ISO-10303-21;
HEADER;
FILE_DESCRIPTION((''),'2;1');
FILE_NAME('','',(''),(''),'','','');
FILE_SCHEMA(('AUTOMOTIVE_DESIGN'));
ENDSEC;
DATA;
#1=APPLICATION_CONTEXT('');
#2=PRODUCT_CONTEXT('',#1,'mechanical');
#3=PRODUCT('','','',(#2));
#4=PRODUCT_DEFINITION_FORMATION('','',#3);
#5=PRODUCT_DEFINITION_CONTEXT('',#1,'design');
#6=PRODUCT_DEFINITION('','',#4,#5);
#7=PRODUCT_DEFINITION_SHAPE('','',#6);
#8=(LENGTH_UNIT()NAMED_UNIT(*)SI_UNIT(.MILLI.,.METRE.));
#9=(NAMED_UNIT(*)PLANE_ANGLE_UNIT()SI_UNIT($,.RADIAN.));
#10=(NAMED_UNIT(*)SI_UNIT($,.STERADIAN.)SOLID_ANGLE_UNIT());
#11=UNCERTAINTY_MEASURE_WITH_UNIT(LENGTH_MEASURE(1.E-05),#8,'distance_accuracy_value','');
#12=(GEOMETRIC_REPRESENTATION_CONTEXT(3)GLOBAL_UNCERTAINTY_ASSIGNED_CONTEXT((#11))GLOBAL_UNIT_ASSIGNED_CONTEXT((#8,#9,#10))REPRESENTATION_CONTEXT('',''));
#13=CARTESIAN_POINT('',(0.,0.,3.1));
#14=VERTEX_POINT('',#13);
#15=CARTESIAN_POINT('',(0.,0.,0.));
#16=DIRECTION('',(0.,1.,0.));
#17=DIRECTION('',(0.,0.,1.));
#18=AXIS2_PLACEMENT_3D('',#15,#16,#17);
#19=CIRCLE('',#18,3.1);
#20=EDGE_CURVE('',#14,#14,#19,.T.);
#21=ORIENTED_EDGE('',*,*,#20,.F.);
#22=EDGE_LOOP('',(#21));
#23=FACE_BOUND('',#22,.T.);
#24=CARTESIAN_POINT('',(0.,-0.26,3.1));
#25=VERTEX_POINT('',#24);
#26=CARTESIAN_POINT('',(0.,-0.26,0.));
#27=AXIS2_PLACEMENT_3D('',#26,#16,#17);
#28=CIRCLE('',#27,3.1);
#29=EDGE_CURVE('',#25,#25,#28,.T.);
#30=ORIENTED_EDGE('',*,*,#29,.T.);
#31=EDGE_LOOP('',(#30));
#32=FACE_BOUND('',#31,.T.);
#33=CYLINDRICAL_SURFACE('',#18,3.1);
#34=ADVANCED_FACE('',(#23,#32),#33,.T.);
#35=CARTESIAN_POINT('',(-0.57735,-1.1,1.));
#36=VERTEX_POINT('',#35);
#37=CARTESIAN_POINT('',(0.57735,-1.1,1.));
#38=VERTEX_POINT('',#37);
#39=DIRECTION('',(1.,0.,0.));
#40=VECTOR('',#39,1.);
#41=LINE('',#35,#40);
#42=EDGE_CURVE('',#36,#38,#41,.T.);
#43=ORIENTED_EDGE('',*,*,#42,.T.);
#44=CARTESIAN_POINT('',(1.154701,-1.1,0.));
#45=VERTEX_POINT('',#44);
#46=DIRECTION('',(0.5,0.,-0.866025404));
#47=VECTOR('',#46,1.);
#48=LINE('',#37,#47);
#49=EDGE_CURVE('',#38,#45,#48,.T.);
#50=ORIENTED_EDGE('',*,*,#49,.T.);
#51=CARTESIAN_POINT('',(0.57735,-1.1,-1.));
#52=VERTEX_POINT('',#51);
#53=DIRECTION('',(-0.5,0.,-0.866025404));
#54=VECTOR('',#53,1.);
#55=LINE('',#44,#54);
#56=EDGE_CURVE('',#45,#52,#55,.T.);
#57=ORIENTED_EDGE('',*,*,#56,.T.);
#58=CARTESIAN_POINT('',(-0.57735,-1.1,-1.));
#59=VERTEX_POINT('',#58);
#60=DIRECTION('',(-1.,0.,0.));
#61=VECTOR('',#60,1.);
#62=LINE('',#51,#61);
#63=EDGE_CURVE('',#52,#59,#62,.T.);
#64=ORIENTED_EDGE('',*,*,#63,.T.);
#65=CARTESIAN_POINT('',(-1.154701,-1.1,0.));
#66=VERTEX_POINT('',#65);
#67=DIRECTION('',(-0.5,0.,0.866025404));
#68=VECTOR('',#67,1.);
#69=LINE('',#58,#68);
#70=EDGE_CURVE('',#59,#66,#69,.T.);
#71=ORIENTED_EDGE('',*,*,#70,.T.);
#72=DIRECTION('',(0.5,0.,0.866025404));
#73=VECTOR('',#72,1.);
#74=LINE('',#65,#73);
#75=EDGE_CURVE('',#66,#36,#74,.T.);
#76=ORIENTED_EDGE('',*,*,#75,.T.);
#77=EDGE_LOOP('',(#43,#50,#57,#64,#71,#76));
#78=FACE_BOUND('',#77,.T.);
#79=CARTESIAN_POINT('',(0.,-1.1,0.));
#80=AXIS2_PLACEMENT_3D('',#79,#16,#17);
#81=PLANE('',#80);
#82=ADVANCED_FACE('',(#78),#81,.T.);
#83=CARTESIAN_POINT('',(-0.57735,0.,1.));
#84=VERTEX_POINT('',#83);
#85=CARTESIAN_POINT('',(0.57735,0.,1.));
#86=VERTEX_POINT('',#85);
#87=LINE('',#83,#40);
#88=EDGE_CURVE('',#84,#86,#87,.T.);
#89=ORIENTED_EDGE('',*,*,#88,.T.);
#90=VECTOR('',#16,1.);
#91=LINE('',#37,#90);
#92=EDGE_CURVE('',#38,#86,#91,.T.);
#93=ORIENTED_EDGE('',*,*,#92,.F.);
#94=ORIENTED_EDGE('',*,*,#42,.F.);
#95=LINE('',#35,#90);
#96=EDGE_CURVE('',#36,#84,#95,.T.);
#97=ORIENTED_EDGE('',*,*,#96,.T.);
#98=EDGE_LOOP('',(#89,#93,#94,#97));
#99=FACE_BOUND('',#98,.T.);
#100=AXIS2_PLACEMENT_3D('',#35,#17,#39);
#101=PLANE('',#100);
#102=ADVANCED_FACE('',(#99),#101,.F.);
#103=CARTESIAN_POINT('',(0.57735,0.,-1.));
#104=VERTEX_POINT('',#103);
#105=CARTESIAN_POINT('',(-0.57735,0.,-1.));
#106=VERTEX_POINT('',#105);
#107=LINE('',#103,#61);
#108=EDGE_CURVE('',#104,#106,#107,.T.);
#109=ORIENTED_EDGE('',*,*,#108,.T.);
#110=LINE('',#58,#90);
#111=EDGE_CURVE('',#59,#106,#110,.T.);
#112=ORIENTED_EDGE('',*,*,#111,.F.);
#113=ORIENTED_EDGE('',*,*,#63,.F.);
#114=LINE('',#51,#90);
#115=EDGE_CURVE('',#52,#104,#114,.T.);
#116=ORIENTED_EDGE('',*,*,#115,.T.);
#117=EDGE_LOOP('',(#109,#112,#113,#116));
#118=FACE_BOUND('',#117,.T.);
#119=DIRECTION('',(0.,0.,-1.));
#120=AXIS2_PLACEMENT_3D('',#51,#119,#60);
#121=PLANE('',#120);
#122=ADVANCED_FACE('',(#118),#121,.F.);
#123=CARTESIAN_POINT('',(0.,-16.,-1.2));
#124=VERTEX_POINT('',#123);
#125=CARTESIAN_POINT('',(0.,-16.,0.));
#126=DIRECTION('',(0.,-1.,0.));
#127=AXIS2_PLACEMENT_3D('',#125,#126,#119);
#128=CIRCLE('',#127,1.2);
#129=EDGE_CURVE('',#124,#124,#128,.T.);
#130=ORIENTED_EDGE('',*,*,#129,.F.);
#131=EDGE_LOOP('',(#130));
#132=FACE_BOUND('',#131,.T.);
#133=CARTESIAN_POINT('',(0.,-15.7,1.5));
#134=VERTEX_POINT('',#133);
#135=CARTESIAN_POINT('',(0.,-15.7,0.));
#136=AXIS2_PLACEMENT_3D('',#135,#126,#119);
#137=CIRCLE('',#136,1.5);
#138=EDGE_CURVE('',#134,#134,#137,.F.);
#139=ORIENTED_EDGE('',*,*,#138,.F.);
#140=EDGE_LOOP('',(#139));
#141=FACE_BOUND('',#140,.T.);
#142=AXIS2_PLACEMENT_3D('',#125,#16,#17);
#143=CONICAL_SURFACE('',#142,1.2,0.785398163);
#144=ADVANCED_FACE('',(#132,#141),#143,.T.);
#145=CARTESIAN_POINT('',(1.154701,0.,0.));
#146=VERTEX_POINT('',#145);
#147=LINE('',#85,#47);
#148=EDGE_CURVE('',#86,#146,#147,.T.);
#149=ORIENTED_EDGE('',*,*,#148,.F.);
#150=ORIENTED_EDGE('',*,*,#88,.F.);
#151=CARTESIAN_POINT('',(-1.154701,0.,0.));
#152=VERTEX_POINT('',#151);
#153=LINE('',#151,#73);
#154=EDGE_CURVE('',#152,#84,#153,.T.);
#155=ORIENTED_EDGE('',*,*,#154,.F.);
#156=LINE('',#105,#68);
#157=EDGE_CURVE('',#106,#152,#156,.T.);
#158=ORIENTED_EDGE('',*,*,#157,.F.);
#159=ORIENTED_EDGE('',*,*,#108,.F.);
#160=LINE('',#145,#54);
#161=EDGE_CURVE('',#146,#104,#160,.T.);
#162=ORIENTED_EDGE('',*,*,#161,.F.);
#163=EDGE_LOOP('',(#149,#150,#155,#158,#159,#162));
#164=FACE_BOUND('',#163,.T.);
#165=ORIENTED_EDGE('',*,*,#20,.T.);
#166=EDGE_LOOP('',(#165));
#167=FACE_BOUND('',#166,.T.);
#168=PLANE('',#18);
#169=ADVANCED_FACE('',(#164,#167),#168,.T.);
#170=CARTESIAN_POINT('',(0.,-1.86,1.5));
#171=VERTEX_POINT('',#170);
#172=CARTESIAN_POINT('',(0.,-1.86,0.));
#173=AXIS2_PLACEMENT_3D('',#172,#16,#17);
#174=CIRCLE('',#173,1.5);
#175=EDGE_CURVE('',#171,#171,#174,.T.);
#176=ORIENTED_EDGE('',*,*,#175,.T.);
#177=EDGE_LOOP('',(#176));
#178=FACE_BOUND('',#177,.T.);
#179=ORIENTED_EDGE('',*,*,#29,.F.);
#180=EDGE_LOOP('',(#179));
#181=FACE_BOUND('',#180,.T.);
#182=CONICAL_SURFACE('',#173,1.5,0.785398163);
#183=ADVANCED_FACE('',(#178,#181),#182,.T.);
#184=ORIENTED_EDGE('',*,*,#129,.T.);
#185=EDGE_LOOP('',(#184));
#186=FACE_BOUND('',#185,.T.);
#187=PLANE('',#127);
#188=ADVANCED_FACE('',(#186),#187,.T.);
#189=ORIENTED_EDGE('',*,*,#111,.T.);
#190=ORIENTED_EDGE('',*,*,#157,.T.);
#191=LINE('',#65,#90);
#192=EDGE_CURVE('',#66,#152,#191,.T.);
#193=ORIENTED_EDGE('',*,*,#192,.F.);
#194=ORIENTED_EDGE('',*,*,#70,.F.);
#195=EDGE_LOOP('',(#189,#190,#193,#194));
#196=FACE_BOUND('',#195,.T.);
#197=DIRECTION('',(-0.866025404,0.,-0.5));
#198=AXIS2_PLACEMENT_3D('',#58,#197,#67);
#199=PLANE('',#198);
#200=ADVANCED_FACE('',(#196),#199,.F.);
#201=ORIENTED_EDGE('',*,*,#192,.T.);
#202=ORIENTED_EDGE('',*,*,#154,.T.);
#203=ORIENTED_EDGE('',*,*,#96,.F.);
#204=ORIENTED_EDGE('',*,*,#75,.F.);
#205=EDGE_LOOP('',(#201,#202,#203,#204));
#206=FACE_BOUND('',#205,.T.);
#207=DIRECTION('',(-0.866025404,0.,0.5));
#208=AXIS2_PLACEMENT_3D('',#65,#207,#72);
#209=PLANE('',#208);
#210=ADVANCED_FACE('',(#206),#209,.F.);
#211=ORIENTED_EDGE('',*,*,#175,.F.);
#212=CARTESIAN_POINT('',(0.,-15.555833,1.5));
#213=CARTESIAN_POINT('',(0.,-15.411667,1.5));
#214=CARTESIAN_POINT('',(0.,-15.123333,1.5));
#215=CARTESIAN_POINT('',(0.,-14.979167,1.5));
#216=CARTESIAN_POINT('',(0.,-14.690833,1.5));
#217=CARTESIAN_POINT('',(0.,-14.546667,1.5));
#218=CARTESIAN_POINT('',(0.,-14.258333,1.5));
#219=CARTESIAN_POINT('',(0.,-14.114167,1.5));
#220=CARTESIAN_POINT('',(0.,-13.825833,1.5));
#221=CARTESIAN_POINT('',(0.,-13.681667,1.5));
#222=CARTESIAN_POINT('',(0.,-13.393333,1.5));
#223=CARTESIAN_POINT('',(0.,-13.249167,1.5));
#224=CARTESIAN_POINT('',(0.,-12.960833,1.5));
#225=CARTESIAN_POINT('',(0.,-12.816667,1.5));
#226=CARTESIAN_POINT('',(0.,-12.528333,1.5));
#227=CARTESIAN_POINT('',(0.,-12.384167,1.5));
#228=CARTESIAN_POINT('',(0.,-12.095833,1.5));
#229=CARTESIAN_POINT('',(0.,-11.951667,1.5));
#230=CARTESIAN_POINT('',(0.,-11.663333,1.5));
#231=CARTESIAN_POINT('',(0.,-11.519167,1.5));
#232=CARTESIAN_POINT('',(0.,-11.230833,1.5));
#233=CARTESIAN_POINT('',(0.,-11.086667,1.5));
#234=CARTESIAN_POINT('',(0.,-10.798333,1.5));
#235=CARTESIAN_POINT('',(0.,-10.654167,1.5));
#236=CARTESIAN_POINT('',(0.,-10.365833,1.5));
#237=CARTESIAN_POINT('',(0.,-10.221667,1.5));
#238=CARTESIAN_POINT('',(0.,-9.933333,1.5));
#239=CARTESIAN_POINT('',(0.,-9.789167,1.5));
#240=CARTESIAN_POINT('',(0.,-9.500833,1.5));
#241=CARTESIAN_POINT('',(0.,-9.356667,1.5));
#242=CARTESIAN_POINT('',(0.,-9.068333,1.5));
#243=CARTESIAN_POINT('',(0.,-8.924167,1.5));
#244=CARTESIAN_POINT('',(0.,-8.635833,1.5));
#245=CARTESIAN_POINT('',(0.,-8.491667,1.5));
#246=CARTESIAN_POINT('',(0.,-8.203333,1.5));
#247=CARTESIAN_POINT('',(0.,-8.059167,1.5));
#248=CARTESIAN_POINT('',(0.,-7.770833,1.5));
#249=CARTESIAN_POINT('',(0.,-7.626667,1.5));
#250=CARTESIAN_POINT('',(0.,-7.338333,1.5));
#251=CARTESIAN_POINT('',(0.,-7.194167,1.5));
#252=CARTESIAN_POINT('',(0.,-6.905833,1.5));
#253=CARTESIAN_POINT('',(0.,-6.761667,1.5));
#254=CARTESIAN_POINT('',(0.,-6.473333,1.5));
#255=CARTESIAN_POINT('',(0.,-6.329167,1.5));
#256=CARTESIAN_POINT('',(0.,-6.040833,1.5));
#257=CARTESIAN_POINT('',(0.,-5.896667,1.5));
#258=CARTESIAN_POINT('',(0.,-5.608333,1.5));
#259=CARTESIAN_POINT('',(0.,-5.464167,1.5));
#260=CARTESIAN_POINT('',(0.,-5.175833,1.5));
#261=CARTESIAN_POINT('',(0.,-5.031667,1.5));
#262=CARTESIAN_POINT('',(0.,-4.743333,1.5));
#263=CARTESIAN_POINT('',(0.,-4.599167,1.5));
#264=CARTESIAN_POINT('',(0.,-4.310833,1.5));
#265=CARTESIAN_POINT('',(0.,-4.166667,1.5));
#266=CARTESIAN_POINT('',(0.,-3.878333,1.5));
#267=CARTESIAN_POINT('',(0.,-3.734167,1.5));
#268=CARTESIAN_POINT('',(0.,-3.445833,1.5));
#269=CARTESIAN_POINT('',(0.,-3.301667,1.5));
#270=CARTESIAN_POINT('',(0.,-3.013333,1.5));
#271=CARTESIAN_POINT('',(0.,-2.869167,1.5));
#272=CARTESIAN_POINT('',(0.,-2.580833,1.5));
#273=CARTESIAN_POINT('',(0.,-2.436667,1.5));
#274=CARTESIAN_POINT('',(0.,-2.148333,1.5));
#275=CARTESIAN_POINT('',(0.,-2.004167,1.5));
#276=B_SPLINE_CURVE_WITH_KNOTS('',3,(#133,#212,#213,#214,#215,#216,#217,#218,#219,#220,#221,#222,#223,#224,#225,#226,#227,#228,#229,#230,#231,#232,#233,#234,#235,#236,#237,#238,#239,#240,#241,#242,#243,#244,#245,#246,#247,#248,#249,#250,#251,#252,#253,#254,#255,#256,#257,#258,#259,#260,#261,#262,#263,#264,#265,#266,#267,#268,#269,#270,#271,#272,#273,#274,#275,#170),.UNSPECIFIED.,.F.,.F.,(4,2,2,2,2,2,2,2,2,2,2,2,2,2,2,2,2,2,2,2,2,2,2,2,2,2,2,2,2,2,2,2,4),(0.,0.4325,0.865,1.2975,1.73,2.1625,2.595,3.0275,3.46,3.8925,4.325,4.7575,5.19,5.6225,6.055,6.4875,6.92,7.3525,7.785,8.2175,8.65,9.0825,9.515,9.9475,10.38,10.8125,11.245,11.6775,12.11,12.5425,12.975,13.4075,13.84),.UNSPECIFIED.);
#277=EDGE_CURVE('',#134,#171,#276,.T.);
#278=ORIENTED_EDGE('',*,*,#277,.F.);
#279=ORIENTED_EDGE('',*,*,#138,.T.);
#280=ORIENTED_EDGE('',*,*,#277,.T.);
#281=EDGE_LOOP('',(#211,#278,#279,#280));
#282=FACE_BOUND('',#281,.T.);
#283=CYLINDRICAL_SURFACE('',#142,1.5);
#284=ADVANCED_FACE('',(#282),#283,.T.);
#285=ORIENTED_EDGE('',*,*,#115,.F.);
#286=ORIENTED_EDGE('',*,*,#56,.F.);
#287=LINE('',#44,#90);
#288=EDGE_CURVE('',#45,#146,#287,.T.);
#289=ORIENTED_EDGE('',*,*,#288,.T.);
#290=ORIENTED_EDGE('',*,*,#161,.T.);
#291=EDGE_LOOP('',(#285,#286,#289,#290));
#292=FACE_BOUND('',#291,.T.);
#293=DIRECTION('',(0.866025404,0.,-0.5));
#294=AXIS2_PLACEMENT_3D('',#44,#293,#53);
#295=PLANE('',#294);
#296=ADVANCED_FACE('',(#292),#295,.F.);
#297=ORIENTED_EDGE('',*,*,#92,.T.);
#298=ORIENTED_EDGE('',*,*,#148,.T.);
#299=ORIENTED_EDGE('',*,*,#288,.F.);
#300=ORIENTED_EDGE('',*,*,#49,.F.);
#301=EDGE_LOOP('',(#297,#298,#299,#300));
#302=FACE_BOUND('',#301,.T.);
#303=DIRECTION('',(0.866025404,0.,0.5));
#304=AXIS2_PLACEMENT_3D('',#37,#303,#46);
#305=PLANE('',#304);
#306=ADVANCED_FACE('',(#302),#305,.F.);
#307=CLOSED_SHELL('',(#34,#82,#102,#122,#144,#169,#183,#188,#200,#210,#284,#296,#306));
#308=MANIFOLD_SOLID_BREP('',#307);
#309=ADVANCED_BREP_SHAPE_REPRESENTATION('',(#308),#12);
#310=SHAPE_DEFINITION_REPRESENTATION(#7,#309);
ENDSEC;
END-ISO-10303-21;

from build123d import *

# Parameters (mm, degrees)
ESQUISSE_TETE_R         = 3.36
EXTRUSION_TETE_DEPTH    = 1.86
ENL_V_MAT_EXTRU_1_DEPTH = 1.1
ESQUISSE_CORPS_R        = 1.5
EXTRUSION_CORPS_DEPTH   = 14.14
CHANFREIN_SIZE          = 0.3


with BuildPart() as part:
    # Esquisse TETE → Extrusion TETE (new body)
    with BuildSketch(Plane(origin=(0, 0, 0), x_dir=(1, 0, 0), z_dir=(0, 1, 0))):
        with Locations(Location((0, 0, 0), (0, 0, 270))):
            Circle(ESQUISSE_TETE_R)
    extrude(amount=-EXTRUSION_TETE_DEPTH)

    # Esquisse1 → Enlèv. mat.-Extru.1 (cut)
    with BuildSketch(Plane(origin=(0, 0, 0), x_dir=(1, 0, 0), z_dir=(0, 1, 0))):
        Polygon((0.577350269, -1), (1.154700538, 0), (0.577350269, 1), (-0.577350269, 1), (-1.154700538, 0), (-0.577350269, -1), align=None)
    extrude(amount=-ENL_V_MAT_EXTRU_1_DEPTH, mode=Mode.SUBTRACT)

    # Esquisse CORPS → Extrusion CORPS (add)
    with BuildSketch(Plane.XZ.offset(1.86)):
        with Locations(Location((0, 0, 0), (0, 0, 90))):
            Circle(ESQUISSE_CORPS_R)
    extrude(amount=EXTRUSION_CORPS_DEPTH)

    # Esquisse FRAISAGE → Enlèvement de matière-Révolution1 (revolve, cut)
    with BuildSketch(Plane(origin=(0, 0, 0), x_dir=(0, 0, -1), z_dir=(1, 0, 0))):
        Polygon((-1.5, -1.86), (-3.1, -0.26), (-3.1, 0), (-3.36, 0), (-3.36, -1.86), align=None)
    revolve(axis=Axis((0, 0, 0), (0, -1, 0)), mode=Mode.SUBTRACT)

    # Chanfrein
    chanfrein_edges = [part.edges().sort_by_distance(p)[0] for p in [
        (0, -16, -1.5),
    ]]
    chamfer(chanfrein_edges, length=CHANFREIN_SIZE)


solid = part.part
